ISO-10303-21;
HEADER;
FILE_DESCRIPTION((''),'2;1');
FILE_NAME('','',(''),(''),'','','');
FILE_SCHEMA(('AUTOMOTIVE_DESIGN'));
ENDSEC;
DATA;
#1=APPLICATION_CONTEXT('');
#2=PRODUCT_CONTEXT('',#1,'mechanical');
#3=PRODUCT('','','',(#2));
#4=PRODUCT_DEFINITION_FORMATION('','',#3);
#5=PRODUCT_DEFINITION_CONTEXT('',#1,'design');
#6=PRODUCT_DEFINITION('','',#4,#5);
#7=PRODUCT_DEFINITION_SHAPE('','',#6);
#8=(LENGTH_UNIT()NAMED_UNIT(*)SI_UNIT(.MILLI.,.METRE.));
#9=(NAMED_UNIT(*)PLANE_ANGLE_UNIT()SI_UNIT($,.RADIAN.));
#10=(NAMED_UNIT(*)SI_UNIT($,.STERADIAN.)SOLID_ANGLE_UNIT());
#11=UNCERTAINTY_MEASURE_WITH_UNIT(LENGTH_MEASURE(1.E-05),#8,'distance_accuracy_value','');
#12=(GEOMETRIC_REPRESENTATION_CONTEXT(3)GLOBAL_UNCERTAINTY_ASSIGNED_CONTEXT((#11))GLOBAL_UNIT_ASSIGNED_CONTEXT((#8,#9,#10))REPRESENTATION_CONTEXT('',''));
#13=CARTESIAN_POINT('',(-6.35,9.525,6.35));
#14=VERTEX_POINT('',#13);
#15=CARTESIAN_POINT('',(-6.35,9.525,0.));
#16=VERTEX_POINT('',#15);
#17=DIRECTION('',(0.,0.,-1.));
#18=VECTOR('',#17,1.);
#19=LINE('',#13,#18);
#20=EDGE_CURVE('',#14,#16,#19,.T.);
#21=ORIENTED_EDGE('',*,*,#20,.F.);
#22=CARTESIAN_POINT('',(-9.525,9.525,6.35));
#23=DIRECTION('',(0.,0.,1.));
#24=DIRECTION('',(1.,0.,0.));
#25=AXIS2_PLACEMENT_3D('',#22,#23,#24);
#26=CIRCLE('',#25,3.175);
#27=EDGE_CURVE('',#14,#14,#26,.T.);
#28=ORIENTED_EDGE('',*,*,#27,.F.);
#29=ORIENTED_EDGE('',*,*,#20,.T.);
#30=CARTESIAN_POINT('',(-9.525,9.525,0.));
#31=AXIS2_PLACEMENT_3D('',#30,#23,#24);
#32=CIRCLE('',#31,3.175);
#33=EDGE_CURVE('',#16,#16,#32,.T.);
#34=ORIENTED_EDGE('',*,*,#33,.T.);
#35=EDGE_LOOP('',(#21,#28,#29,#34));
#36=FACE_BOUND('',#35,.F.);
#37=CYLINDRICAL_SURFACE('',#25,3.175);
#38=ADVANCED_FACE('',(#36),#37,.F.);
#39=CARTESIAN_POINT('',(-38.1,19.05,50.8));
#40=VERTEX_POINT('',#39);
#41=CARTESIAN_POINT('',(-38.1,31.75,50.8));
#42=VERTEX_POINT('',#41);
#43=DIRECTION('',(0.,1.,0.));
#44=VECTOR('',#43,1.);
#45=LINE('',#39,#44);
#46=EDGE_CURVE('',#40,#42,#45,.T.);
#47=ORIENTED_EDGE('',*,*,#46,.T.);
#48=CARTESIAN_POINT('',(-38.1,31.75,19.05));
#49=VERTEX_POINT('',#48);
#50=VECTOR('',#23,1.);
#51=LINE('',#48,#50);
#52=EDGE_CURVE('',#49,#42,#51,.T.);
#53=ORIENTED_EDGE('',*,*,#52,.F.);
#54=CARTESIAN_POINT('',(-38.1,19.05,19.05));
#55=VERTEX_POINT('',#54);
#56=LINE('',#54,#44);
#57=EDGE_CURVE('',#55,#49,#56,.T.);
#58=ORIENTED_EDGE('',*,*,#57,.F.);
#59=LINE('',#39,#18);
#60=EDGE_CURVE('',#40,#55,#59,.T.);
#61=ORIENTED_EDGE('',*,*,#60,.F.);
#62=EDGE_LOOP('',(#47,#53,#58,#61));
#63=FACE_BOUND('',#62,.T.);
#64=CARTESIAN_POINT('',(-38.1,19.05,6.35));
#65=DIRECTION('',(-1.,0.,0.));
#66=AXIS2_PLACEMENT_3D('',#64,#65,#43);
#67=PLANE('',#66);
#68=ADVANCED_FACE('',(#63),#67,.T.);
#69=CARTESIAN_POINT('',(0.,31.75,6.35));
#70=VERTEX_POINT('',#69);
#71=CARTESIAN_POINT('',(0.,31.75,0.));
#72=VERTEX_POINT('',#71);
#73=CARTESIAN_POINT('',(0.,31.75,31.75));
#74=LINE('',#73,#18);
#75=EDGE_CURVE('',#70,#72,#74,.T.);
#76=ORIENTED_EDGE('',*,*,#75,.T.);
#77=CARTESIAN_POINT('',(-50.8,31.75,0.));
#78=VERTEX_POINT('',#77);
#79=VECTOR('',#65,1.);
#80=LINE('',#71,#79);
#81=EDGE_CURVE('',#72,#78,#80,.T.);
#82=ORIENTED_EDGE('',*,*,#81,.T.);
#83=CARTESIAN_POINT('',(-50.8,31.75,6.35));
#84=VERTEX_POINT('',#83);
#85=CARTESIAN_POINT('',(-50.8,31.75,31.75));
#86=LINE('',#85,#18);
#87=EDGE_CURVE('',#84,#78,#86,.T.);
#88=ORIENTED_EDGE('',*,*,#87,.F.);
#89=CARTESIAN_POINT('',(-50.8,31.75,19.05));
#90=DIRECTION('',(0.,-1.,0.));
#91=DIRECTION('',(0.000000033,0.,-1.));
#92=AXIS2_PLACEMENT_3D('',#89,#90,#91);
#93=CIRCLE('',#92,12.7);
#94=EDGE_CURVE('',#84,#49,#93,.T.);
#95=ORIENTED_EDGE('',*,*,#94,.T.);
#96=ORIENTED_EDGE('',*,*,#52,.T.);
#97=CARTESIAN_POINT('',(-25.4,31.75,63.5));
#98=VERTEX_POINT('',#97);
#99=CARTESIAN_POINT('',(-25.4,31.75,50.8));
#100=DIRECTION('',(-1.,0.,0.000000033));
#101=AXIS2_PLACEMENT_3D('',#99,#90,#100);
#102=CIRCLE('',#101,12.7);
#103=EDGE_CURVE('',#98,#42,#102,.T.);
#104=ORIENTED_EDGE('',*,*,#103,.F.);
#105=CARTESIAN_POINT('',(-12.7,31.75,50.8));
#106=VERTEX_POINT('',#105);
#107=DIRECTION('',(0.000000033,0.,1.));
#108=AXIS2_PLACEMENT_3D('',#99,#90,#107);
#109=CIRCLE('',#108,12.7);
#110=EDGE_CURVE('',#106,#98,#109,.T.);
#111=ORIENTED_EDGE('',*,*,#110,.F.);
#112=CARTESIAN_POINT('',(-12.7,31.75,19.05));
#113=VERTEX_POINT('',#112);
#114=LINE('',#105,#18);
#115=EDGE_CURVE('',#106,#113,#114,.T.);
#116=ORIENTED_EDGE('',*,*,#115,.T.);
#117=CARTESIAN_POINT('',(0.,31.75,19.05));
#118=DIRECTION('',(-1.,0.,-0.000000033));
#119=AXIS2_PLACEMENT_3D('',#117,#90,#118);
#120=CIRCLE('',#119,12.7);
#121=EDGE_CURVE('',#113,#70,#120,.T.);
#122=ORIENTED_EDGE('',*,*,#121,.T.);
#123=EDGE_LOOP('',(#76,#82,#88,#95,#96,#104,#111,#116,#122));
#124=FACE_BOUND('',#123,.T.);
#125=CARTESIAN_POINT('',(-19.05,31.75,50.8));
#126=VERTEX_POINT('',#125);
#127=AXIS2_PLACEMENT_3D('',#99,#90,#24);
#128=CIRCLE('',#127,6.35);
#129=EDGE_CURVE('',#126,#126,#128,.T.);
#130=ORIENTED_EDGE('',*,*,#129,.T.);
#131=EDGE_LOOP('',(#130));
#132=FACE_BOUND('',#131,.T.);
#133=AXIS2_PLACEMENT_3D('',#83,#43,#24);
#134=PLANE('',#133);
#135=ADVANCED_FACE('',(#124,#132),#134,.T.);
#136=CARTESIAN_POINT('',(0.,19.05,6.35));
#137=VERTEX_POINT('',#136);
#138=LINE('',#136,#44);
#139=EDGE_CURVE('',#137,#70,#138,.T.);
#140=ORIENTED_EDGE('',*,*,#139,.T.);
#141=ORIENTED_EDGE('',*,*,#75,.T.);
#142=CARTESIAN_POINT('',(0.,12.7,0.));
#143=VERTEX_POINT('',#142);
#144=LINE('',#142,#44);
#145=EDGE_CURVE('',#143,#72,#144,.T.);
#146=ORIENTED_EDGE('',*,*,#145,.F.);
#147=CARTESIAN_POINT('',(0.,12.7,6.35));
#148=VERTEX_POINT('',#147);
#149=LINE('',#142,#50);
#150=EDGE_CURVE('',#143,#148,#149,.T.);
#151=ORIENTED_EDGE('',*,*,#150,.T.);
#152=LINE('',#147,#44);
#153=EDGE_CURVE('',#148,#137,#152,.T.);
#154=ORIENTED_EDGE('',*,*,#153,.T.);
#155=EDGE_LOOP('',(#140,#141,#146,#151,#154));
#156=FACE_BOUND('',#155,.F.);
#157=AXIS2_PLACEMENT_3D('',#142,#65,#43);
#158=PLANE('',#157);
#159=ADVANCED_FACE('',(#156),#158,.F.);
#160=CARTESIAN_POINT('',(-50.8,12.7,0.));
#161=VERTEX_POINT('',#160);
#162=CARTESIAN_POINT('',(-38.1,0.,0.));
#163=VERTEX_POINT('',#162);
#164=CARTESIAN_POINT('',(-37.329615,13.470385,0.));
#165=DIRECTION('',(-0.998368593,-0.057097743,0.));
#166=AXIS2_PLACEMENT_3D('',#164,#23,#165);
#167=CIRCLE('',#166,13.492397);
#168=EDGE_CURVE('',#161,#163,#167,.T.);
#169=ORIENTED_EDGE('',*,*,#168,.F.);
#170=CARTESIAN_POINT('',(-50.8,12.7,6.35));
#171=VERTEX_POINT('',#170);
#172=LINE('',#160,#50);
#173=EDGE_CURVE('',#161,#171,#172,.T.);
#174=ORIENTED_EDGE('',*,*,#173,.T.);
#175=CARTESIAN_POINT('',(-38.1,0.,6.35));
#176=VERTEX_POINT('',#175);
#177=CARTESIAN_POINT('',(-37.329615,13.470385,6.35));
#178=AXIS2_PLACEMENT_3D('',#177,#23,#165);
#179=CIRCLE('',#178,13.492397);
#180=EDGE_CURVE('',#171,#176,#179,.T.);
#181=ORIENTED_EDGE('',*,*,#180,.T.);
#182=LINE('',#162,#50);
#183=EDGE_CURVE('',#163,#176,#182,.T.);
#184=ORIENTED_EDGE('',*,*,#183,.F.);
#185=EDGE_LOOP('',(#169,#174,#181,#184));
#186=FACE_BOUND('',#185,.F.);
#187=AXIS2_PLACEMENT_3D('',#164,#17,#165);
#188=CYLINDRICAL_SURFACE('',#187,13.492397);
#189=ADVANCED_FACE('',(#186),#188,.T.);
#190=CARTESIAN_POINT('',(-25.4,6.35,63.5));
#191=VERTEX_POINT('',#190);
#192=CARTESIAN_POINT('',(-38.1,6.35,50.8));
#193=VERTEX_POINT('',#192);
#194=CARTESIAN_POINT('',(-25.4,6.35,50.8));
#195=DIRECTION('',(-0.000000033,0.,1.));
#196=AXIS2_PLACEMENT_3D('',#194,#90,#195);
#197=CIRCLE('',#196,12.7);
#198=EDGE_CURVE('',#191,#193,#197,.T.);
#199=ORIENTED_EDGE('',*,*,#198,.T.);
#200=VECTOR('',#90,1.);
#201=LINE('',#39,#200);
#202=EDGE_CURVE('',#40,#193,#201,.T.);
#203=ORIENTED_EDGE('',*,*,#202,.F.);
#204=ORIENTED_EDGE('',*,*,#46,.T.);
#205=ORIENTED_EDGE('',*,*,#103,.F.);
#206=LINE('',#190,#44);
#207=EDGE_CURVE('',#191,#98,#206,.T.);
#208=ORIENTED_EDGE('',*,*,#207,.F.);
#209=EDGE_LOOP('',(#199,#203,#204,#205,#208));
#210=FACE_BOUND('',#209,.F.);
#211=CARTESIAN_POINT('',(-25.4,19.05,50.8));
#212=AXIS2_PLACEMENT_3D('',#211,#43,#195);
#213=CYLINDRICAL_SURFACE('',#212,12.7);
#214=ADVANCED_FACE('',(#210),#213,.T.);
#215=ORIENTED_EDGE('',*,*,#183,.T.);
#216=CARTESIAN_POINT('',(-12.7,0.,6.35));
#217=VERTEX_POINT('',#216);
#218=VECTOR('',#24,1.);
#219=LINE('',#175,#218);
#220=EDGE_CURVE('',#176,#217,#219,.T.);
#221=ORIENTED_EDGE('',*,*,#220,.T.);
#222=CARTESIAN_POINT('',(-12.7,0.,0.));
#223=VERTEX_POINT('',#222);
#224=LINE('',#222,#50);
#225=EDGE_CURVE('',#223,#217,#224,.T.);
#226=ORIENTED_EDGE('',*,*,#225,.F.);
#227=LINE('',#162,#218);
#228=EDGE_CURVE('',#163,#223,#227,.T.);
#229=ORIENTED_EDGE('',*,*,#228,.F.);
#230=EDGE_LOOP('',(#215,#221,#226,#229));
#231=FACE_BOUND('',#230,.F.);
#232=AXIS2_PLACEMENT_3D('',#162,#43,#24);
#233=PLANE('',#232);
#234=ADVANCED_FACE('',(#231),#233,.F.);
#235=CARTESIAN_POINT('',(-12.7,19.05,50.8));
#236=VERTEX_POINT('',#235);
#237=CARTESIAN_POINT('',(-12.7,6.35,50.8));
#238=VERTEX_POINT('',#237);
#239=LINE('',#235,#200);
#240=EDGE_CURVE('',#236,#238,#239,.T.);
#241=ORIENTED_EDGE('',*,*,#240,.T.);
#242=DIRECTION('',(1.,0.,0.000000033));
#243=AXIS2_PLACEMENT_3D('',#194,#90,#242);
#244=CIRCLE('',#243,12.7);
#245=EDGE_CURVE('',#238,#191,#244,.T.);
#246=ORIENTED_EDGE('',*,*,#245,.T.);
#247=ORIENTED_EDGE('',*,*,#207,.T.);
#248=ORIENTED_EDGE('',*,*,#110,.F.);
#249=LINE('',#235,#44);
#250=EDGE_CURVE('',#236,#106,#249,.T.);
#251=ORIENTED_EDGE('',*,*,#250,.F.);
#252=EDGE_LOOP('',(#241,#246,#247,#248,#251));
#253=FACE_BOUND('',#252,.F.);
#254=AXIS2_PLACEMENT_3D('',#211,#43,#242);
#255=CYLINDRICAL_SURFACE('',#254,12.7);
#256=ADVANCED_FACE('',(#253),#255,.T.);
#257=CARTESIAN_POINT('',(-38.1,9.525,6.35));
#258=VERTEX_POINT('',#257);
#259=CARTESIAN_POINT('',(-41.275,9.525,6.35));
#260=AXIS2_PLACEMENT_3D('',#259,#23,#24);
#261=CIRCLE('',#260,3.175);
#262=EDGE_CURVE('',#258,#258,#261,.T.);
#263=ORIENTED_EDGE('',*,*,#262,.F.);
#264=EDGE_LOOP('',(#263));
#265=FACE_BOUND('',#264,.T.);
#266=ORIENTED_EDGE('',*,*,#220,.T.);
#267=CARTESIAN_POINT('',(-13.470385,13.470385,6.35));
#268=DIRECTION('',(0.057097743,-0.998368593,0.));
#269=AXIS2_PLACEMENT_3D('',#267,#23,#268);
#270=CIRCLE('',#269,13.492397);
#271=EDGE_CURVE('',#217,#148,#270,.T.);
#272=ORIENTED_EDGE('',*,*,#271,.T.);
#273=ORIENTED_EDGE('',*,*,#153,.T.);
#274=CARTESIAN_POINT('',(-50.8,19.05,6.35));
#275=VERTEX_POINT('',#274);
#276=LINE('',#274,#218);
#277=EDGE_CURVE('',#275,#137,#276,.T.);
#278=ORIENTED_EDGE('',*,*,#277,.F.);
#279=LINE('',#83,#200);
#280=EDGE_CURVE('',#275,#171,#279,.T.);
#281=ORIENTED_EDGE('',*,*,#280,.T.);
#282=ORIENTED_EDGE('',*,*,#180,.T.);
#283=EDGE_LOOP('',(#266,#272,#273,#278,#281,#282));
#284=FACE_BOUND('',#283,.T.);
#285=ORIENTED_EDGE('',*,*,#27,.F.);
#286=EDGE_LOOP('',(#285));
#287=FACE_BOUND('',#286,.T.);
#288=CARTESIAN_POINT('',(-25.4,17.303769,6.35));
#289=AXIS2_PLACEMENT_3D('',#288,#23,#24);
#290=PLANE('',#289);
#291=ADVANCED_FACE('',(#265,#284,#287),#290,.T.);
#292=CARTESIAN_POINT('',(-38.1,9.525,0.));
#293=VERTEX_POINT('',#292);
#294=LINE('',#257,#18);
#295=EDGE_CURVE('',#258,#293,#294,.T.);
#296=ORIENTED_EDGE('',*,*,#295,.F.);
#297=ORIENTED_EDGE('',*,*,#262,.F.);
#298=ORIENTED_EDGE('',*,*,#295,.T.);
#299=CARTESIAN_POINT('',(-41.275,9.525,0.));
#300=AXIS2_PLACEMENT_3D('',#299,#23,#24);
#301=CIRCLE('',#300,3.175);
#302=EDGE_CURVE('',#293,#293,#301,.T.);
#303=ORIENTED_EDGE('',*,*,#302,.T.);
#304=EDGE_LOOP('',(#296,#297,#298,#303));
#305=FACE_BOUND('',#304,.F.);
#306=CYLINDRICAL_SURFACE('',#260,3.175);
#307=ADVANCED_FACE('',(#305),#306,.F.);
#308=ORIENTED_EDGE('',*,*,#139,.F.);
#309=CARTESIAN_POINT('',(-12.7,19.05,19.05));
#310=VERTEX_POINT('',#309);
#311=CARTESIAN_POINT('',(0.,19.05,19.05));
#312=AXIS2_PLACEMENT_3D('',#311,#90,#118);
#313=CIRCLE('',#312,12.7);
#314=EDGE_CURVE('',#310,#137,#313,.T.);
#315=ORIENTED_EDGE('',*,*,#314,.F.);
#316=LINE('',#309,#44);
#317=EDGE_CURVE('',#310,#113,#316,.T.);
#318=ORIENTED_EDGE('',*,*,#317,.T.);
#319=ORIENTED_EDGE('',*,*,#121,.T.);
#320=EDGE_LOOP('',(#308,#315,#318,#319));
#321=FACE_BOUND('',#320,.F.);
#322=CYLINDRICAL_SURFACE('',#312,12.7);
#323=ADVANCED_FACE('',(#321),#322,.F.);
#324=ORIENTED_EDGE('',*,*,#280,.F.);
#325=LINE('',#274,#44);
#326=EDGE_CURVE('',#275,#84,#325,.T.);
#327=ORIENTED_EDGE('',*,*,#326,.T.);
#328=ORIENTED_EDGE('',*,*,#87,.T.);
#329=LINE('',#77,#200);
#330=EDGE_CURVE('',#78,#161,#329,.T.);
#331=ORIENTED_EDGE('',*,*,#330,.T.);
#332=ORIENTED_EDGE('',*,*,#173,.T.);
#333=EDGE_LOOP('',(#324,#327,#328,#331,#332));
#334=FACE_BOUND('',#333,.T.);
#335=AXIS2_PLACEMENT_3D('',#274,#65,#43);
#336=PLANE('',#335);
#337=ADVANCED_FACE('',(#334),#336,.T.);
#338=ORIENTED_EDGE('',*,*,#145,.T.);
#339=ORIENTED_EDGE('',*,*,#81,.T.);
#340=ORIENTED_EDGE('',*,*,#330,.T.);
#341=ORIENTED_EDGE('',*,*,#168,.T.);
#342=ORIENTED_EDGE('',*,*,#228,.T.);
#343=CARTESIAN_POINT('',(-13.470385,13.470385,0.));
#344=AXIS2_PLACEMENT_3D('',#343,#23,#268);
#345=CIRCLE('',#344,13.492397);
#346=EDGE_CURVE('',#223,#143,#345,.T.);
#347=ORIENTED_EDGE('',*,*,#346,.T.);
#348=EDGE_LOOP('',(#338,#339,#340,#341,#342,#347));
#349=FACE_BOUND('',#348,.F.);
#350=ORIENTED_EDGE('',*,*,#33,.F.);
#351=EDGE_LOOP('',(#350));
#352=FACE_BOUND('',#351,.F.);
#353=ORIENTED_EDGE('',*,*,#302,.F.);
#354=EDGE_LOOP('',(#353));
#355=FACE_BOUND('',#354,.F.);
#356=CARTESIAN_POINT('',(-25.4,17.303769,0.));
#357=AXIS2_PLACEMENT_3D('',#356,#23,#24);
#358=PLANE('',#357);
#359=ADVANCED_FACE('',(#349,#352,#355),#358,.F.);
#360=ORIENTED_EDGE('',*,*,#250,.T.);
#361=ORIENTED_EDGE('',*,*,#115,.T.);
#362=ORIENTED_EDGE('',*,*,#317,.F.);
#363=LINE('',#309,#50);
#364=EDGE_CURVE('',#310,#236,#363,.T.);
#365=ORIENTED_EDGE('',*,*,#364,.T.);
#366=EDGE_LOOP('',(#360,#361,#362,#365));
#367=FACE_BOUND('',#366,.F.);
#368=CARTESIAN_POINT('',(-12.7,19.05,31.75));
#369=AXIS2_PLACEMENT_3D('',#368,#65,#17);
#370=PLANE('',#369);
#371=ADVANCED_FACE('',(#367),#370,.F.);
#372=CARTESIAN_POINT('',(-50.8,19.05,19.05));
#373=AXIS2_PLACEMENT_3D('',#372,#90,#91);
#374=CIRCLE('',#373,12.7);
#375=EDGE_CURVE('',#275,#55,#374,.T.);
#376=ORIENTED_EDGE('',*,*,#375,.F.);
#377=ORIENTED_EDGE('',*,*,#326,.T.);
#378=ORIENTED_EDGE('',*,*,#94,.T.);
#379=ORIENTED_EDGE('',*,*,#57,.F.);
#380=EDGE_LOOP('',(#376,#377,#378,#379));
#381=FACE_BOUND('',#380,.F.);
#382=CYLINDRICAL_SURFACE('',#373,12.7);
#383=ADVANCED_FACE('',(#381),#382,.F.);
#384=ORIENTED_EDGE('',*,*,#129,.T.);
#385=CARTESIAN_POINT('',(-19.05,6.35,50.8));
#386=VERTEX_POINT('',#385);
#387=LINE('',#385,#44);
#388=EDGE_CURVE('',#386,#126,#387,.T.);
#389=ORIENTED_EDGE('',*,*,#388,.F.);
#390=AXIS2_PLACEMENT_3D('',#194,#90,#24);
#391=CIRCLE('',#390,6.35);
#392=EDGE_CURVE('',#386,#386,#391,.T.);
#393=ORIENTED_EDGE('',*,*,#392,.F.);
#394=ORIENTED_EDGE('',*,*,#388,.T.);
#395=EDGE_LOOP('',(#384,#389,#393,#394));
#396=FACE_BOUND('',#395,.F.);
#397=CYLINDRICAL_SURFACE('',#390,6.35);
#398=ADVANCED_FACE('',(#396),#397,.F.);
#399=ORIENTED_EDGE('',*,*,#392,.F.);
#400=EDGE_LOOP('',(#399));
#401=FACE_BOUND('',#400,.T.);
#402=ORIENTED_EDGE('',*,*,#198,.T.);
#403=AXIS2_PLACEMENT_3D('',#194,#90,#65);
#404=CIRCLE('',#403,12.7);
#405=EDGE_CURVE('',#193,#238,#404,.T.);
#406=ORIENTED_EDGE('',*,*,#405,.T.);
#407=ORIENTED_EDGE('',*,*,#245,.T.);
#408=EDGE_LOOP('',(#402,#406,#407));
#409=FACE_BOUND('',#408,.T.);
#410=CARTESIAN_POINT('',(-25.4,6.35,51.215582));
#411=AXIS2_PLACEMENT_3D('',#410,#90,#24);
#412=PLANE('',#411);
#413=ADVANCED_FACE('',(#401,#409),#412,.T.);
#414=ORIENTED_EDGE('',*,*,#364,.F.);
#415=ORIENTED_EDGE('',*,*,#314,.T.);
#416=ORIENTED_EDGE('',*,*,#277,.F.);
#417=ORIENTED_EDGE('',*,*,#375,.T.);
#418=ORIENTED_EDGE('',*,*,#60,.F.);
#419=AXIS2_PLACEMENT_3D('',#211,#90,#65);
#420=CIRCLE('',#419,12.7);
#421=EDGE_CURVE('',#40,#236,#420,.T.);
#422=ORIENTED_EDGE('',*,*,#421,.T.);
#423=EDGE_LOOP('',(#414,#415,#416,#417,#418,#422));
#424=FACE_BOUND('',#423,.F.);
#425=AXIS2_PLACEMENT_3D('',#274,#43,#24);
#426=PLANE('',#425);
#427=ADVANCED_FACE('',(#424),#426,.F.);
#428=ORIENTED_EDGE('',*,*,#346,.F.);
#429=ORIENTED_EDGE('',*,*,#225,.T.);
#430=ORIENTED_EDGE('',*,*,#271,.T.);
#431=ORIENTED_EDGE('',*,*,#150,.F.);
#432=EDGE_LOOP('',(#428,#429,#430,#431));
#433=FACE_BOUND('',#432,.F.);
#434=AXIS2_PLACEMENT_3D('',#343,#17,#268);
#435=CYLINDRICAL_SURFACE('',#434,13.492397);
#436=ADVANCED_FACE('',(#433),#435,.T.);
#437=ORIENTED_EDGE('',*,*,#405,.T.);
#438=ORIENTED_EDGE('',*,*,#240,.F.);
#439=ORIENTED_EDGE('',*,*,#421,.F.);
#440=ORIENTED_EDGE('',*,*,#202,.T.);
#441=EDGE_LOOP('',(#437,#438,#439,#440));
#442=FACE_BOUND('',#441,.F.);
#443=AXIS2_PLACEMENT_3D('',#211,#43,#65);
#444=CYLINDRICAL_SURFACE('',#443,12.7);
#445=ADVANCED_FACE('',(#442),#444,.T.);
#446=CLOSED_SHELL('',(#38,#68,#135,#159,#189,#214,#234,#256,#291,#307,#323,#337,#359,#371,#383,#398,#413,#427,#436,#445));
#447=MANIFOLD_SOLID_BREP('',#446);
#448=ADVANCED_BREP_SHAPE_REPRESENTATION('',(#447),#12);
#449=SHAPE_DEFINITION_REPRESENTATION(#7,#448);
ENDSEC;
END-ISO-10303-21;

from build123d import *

# Parameters (mm, degrees)
F1_DEPTH  = 6.35
F2_W      = 25.4
F2_H      = 12.7
F3_DEPTH  = 57.15
F5_DEPTH  = 12.701
F6_DEPTH  = 12.7
F7_R      = 6.35
F8_DEPTH  = 25.401
F9_W      = 12.7
F9_H      = 12.7
F10_DEPTH = 25.4
F12_DEPTH = 12.701
F13_R     = 3.175
F14_DEPTH = 6.351


with BuildPart() as f1:
    # F0 (on Top) → F1 (new body)
    with BuildSketch(Plane.XY):
        with BuildLine():
            Line((0, 31.75), (-50.8, 31.75))
            Line((-50.8, 31.75), (-50.8, 12.7))
            ThreePointArc((-50.8, 12.7), (-46.87018, 3.92982), (-38.1, 0))
            Line((-38.1, 0), (-12.7, 0))
            ThreePointArc((-12.7, 0), (-3.92982, 3.92982), (0, 12.7))
            Line((0, 12.7), (0, 31.75))
        make_face()
    extrude(amount=F1_DEPTH)

    # F2 (on face) → F3 (join)
    with BuildSketch(Plane.XY.offset(6.35)):
        with Locations((-25.4, 25.4)):
            Rectangle(F2_W, F2_H)
    extrude(amount=F3_DEPTH)

    # F4 (on face) → F5 (cut, through all)
    with BuildSketch(Plane.XZ.offset(-19.05)):
        with BuildLine():
            ThreePointArc((-25.4, 63.5), (-16.419744, 59.780256), (-12.7, 50.8))
            Line((-12.7, 50.8), (-12.7, 63.5))
            Line((-12.7, 63.5), (-25.4, 63.5))
        make_face()
        with BuildLine():
            ThreePointArc((-38.1, 50.8), (-34.380256, 59.780256), (-25.4, 63.5))
            Line((-25.4, 63.5), (-38.1, 63.5))
            Line((-38.1, 63.5), (-38.1, 50.8))
        make_face()
    extrude(amount=-F5_DEPTH, mode=Mode.SUBTRACT)

    # F4 (on face) → F6 (join)
    with BuildSketch(Plane.XZ.offset(-19.05)):
        with BuildLine():
            ThreePointArc((-38.1, 50.8), (-25.4, 38.1), (-12.7, 50.8))
            ThreePointArc((-12.7, 50.8), (-16.419744, 59.780256), (-25.4, 63.5))
            ThreePointArc((-25.4, 63.5), (-34.380256, 59.780256), (-38.1, 50.8))
        make_face()
    extrude(amount=F6_DEPTH)

    # F7 (on face) → F8 (cut, through all)
    with BuildSketch(Plane.XZ.offset(-6.35)):
        with Locations((-25.4, 50.8)):
            Circle(F7_R)
    extrude(amount=-F8_DEPTH, mode=Mode.SUBTRACT)

    # F9 (on face) → F10 (join)
    with BuildSketch(Plane.XY.offset(6.35)):
        with Locations((-44.45, 25.4)):
            Rectangle(F9_W, F9_H)
        with Locations((-6.35, 25.4)):
            Rectangle(F9_W, F9_H)
    extrude(amount=F10_DEPTH)

    # F11 (on face) → F12 (cut, through all)
    with BuildSketch(Plane.XZ.offset(-19.05)):
        with BuildLine():
            Line((-38.1, 19.05), (-38.1, 31.75))
            Line((-38.1, 31.75), (-50.8, 31.75))
            Line((-50.8, 31.75), (-50.8, 6.35))
            ThreePointArc((-50.8, 6.35), (-41.819744, 10.069744), (-38.1, 19.05))
        make_face()
        with BuildLine():
            Line((0, 31.75), (-12.7, 31.75))
            Line((-12.7, 31.75), (-12.7, 19.05))
            ThreePointArc((-12.7, 19.05), (-8.980256, 10.069744), (0, 6.35))
            Line((0, 6.35), (0, 31.75))
        make_face()
    extrude(amount=-F12_DEPTH, mode=Mode.SUBTRACT)

    # F13 (on face) → F14 (cut, through all)
    with BuildSketch(Plane.XY.offset(6.35)):
        with Locations((-41.275, 9.525)):
            Circle(F13_R)
        with Locations((-9.525, 9.525)):
            Circle(F13_R)
    extrude(amount=-F14_DEPTH, mode=Mode.SUBTRACT)


solid = f1.part
